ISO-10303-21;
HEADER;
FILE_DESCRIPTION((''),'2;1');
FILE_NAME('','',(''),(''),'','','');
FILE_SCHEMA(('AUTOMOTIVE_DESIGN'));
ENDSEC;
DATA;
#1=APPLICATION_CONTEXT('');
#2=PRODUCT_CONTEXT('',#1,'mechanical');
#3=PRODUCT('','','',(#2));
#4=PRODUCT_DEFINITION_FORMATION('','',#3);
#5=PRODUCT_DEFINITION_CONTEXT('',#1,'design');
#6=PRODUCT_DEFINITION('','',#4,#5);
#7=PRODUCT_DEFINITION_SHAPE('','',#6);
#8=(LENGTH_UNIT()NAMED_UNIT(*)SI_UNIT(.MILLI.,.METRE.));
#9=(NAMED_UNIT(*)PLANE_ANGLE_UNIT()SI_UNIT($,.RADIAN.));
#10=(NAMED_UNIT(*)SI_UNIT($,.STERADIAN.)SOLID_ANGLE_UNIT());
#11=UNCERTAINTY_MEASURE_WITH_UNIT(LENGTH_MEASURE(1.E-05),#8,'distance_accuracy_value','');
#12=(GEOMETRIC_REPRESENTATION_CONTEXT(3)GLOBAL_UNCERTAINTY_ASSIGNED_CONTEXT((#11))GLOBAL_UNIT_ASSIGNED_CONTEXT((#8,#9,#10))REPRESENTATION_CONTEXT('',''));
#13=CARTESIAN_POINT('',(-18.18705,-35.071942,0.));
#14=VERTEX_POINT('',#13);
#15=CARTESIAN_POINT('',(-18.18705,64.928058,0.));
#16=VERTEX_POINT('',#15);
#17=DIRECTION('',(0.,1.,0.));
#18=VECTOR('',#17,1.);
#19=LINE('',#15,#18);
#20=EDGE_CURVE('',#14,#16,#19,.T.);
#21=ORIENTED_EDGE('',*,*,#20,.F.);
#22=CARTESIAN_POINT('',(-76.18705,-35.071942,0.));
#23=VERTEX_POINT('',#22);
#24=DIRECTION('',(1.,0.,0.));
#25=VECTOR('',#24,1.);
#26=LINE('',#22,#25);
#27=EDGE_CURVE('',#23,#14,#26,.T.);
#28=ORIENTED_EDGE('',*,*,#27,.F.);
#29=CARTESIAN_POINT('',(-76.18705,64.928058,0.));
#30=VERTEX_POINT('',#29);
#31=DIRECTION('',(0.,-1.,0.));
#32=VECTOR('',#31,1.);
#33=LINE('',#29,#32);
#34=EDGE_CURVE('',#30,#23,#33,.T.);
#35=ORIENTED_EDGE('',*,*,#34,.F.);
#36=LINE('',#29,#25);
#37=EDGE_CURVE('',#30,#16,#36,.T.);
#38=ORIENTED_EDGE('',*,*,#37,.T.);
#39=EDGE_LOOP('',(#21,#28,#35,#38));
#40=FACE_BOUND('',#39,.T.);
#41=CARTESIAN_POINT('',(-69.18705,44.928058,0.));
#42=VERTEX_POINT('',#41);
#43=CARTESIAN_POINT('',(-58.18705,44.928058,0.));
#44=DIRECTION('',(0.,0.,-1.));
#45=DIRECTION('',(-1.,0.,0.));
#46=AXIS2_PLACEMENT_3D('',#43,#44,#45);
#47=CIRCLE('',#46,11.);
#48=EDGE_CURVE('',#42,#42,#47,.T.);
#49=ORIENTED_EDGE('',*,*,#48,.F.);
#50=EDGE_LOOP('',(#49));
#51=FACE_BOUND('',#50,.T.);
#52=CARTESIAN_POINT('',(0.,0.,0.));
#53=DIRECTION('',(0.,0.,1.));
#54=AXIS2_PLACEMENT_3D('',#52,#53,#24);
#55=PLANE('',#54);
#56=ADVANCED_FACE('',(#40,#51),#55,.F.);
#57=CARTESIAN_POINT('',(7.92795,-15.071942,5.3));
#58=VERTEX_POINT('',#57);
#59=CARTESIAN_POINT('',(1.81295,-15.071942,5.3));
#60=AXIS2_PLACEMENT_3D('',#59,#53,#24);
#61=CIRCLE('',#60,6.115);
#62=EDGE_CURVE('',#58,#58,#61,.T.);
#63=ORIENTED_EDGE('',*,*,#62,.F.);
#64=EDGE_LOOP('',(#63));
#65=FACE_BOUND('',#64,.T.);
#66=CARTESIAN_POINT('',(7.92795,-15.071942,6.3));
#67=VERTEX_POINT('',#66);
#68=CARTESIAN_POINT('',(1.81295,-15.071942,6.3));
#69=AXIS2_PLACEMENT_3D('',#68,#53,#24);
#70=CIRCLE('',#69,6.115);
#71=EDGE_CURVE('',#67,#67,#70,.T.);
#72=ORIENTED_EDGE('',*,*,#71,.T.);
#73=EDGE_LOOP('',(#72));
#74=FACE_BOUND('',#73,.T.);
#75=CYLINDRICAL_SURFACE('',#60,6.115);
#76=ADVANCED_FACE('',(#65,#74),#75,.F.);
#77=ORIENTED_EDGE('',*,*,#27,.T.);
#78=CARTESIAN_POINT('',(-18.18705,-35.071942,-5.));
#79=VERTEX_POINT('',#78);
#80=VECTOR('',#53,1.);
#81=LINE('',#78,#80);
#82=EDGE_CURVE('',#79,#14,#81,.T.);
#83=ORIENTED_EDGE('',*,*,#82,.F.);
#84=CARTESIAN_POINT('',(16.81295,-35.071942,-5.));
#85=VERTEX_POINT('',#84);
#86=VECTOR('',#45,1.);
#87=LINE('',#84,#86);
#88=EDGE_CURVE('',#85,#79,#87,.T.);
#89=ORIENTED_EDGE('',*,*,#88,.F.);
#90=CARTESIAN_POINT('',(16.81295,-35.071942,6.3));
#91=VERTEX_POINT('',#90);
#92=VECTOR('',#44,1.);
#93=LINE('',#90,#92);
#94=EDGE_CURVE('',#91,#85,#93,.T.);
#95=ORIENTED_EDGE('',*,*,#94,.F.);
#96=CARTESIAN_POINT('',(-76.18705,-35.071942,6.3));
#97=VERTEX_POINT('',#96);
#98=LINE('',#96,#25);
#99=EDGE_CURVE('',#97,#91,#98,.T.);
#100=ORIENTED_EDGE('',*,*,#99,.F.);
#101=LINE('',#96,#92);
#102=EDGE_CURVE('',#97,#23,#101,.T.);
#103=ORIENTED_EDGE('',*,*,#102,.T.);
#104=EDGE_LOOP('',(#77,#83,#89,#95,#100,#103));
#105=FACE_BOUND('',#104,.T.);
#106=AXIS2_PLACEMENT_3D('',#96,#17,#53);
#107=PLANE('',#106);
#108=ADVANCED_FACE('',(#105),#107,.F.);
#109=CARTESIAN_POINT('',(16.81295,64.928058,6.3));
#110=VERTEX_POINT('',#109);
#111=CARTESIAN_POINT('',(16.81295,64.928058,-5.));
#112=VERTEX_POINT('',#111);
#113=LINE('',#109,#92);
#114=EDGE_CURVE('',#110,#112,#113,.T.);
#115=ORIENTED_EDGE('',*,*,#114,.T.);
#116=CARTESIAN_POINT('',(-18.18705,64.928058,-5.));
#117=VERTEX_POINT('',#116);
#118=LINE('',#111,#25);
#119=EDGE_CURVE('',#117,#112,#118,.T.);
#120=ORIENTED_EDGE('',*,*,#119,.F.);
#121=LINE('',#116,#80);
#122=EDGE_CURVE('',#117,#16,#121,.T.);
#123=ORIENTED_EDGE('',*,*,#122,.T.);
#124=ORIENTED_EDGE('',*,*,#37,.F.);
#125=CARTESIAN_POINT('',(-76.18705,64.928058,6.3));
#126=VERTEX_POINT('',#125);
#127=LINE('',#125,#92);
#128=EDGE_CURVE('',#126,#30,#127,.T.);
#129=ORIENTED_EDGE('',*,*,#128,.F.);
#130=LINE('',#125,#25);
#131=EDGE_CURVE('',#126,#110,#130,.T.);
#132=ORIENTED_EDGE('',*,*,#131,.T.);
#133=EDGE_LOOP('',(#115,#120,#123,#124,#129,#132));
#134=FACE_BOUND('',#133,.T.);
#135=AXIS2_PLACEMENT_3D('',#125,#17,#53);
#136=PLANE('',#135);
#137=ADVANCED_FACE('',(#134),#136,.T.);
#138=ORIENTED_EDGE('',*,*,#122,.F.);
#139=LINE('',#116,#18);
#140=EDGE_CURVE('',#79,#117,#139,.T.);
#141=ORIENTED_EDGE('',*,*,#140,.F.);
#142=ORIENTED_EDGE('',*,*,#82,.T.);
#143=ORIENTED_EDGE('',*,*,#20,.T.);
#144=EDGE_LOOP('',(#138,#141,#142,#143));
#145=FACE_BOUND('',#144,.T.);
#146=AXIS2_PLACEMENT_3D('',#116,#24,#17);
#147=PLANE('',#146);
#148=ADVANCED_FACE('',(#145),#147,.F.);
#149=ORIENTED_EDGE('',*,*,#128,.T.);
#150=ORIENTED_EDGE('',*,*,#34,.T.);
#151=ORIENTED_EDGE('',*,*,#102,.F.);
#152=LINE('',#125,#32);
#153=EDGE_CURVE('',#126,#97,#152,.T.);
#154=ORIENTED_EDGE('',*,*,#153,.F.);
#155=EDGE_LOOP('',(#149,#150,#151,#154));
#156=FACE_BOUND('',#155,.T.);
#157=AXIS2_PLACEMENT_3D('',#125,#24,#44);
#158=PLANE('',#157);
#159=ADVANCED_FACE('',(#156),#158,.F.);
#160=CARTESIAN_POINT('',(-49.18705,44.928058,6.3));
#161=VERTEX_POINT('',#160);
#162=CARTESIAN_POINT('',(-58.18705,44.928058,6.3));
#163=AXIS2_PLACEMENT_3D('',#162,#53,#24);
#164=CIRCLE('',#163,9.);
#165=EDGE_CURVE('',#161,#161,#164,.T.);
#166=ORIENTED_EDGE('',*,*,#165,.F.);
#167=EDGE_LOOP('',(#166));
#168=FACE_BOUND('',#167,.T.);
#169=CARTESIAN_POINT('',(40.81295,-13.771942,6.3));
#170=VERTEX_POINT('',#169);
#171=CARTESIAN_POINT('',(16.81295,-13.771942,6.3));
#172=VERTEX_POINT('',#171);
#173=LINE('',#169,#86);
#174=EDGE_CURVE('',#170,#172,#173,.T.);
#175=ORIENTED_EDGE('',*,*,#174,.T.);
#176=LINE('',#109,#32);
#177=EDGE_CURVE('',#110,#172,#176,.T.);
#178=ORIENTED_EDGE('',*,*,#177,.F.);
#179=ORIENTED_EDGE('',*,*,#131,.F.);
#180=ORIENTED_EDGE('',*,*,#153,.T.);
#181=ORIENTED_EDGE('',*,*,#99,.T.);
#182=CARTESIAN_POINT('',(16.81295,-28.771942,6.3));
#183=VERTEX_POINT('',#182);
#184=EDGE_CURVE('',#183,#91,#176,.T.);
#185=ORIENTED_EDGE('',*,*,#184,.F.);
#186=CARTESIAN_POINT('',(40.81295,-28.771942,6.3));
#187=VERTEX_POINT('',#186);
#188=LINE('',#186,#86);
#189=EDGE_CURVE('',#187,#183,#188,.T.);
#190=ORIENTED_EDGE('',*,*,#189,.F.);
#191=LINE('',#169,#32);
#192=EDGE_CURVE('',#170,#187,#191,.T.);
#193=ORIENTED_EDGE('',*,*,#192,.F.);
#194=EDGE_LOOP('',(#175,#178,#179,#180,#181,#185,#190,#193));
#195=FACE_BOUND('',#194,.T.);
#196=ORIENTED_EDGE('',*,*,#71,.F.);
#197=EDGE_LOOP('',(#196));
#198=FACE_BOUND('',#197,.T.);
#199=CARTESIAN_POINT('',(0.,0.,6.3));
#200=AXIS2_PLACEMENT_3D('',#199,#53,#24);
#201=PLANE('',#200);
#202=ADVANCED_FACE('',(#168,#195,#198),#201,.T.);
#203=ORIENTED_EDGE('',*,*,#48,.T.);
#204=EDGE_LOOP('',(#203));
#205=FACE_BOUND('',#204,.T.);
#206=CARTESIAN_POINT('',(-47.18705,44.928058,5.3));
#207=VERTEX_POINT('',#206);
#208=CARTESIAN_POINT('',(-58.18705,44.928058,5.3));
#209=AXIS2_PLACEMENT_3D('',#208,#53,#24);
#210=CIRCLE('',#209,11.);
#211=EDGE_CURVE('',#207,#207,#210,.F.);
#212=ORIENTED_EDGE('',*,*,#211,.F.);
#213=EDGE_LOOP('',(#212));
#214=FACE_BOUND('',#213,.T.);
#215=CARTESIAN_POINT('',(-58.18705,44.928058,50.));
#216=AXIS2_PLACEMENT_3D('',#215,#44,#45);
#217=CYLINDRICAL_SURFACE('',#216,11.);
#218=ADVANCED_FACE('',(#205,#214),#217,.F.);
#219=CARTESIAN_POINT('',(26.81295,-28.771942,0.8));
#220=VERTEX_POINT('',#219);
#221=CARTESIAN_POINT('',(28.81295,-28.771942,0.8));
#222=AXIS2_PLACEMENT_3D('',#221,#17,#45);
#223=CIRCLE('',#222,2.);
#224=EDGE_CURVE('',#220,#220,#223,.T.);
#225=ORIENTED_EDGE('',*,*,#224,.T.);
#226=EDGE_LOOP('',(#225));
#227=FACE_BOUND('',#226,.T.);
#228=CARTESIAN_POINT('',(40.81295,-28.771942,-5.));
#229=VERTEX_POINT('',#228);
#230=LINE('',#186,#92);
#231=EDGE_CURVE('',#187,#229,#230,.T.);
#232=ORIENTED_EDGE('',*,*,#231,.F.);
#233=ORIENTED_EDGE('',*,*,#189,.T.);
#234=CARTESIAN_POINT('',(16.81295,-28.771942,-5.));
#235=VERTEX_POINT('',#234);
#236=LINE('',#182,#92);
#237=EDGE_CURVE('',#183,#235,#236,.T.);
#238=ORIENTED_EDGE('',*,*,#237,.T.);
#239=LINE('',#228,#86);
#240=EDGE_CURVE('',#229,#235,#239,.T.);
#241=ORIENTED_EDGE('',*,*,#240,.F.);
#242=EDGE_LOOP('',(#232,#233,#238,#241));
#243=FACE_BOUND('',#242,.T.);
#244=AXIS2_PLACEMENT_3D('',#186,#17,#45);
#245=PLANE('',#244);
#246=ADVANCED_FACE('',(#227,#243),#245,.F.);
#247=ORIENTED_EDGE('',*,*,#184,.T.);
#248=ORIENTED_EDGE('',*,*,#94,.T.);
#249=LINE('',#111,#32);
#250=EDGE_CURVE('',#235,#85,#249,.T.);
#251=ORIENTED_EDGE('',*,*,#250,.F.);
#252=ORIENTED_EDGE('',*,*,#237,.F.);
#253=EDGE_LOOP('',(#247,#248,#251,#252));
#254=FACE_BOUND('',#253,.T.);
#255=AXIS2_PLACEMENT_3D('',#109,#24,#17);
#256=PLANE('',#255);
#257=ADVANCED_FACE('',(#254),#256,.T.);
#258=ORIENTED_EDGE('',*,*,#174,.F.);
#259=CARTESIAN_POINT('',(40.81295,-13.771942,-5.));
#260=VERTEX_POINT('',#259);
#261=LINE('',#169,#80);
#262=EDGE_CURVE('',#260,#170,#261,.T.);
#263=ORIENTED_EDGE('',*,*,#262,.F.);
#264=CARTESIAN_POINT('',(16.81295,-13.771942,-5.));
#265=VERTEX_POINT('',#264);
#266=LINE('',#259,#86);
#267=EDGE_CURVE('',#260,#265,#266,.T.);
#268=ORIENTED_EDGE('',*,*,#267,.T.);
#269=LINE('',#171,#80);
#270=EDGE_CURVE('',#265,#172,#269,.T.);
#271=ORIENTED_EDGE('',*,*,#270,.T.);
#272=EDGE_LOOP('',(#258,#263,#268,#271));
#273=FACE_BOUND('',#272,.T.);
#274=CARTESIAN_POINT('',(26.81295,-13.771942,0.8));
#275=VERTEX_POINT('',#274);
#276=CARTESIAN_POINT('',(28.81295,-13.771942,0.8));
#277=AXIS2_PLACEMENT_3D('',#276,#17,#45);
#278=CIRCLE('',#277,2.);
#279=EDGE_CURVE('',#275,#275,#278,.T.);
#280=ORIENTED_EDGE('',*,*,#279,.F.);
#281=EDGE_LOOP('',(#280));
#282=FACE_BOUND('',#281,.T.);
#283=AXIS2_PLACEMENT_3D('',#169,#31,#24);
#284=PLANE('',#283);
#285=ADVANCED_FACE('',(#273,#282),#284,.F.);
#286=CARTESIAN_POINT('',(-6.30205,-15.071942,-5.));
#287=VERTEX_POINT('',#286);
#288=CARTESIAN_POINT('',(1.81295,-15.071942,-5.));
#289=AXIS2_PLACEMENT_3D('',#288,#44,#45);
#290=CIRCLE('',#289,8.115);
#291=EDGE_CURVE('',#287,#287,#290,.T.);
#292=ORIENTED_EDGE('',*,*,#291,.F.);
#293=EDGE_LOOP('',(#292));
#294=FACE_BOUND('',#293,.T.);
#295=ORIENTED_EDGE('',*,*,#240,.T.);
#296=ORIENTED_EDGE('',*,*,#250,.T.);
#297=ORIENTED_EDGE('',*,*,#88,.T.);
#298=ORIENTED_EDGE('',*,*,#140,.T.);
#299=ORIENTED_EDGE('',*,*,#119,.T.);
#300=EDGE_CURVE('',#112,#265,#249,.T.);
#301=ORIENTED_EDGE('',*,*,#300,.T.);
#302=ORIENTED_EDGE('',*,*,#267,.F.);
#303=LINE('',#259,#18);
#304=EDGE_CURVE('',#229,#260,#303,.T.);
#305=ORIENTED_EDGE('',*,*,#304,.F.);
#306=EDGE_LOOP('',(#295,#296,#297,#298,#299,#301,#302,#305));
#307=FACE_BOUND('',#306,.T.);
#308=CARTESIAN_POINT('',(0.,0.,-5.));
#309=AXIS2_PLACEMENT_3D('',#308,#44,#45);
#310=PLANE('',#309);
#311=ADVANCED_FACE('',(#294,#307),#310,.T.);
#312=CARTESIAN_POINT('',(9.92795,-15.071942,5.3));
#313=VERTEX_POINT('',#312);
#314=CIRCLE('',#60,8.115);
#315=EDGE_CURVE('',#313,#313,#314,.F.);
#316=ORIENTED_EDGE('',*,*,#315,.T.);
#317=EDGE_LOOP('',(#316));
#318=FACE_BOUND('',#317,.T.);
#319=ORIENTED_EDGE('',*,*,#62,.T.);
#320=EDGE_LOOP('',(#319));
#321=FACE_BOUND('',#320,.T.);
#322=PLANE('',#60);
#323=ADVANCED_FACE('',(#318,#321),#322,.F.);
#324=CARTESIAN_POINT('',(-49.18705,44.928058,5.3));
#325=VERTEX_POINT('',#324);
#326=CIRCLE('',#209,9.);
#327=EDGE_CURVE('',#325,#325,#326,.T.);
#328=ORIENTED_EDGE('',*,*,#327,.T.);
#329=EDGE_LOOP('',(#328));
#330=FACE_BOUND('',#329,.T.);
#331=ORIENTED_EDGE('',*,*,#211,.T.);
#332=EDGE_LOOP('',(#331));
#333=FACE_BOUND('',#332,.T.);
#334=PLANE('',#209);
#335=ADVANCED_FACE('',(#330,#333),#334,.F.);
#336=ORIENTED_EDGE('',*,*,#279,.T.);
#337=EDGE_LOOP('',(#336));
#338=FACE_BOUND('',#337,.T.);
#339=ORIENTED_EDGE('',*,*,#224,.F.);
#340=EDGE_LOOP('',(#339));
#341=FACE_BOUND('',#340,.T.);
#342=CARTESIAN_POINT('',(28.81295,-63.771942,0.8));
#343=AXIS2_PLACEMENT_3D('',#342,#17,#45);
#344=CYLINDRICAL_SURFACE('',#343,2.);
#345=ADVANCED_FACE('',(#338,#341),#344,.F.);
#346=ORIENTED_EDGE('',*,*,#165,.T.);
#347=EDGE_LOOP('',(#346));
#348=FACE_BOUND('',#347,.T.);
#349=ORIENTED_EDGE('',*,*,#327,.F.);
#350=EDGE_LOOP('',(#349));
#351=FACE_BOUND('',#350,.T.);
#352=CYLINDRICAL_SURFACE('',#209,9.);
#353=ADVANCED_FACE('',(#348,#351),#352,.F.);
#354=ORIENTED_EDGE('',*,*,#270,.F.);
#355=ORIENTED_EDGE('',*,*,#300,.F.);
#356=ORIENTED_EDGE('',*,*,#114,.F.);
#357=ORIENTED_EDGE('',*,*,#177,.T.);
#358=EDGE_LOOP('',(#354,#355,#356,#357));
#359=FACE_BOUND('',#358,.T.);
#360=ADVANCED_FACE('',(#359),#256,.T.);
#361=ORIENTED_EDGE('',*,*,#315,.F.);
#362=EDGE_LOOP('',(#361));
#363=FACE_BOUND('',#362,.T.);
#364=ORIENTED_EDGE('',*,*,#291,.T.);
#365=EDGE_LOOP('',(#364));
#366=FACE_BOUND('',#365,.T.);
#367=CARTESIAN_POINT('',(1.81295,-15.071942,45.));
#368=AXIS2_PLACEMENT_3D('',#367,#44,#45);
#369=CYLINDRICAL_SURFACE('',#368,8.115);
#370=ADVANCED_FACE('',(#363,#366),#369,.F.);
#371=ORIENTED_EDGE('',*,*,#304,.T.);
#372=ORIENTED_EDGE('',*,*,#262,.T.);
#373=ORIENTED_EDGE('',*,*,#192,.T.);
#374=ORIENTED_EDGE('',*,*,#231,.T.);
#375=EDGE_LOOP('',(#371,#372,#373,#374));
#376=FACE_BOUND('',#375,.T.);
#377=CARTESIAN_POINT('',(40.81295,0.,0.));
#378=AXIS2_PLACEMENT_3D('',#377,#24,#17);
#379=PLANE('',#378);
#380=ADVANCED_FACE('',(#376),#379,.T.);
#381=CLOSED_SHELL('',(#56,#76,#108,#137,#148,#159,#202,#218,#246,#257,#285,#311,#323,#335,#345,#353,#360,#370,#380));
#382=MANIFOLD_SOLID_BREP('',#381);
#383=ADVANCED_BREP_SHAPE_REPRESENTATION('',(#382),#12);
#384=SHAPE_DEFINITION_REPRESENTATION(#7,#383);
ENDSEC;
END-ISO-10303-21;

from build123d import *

# Parameters (mm, degrees)
SKETCH1_W           = 93
SKETCH1_H           = 100
BOSS_EXTRUDE2_DEPTH = 6.3
SKETCH3_W           = 35
SKETCH3_H           = 100
BOSS_EXTRUDE3_DEPTH = 5
SKETCH4_W           = 11.3
SKETCH4_H           = 15
BOSS_EXTRUDE4_DEPTH = 24
SKETCH5_R           = 2
CUT_EXTRUDE1_DEPTH  = 50
SKETCH6_R           = 8.115
CUT_EXTRUDE2_DEPTH  = 50
SKETCH7_R           = 11
CUT_EXTRUDE3_DEPTH  = 50
EXTRUDE_THIN1_START = -5.3
SKETCH7_2_R         = 11
SKETCH7_2_R_2       = 9
EXTRUDE_THIN1_DEPTH = 1
EXTRUDE_THIN2_START = -10.3
SKETCH6_2_R         = 8.115
SKETCH6_2_R_2       = 6.115
EXTRUDE_THIN2_DEPTH = 1


with BuildPart() as part:
    # Sketch1 → Boss-Extrude2 (new body)
    with BuildSketch(Plane.XY):
        with Locations((-29.68705036, 14.928057554)):
            Rectangle(SKETCH1_W, SKETCH1_H)
    extrude(amount=BOSS_EXTRUDE2_DEPTH)

    # Sketch3 → Boss-Extrude3 (add)
    with BuildSketch(Plane(origin=(0, 0, 0), x_dir=(-1, 0, 0), z_dir=(0, 0, -1))):
        with Locations((0.68705036, 14.928057554)):
            Rectangle(SKETCH3_W, SKETCH3_H)
    extrude(amount=BOSS_EXTRUDE3_DEPTH)

    # Sketch4 → Boss-Extrude4 (add)
    with BuildSketch(Plane(origin=(16.81294964, 0, 0), x_dir=(0, 0, -1), z_dir=(1, 0, 0))):
        with Locations((-0.65, -21.271942446)):
            Rectangle(SKETCH4_W, SKETCH4_H)
    extrude(amount=BOSS_EXTRUDE4_DEPTH)

    # Sketch5 → Cut-Extrude1 (cut)
    with BuildSketch(Plane(origin=(0, -13.771942446, 0), x_dir=(1, 0, 0), z_dir=(0, 1, 0))):
        with Locations(Location((28.81294964, -0.8, 0), (0, 0, 180))):
            Circle(SKETCH5_R)
    extrude(amount=-CUT_EXTRUDE1_DEPTH, mode=Mode.SUBTRACT)

    # Sketch6 → Cut-Extrude2 (cut)
    with BuildSketch(Plane(origin=(0, 0, -5), x_dir=(-1, 0, 0), z_dir=(0, 0, -1))):
        with Locations((-1.81294964, -15.071942446)):
            Circle(SKETCH6_R)
    extrude(amount=-CUT_EXTRUDE2_DEPTH, mode=Mode.SUBTRACT)

    # Sketch7 → Cut-Extrude3 (cut)
    with BuildSketch(Plane(origin=(0, 0, 0), x_dir=(-1, 0, 0), z_dir=(0, 0, -1))):
        with Locations((58.18705036, 44.928057554)):
            Circle(SKETCH7_R)
    extrude(amount=-CUT_EXTRUDE3_DEPTH, mode=Mode.SUBTRACT)

    # Sketch7<2> → Extrude-Thin1 (add)
    with BuildSketch(Plane(origin=(0, 0, 0), x_dir=(-1, 0, 0), z_dir=(0, 0, -1)).offset(EXTRUDE_THIN1_START)):
        with Locations((58.18705036, 44.928057554)):
            Circle(SKETCH7_2_R)
        with Locations((58.18705036, 44.928057554)):
            Circle(SKETCH7_2_R_2, mode=Mode.SUBTRACT)
    extrude(amount=-EXTRUDE_THIN1_DEPTH)

    # Sketch6<2> → Extrude-Thin2 (add)
    with BuildSketch(Plane(origin=(0, 0, -5), x_dir=(-1, 0, 0), z_dir=(0, 0, -1)).offset(EXTRUDE_THIN2_START)):
        with Locations((-1.81294964, -15.071942446)):
            Circle(SKETCH6_2_R)
        with Locations((-1.81294964, -15.071942446)):
            Circle(SKETCH6_2_R_2, mode=Mode.SUBTRACT)
    extrude(amount=-EXTRUDE_THIN2_DEPTH)


solid = part.part
